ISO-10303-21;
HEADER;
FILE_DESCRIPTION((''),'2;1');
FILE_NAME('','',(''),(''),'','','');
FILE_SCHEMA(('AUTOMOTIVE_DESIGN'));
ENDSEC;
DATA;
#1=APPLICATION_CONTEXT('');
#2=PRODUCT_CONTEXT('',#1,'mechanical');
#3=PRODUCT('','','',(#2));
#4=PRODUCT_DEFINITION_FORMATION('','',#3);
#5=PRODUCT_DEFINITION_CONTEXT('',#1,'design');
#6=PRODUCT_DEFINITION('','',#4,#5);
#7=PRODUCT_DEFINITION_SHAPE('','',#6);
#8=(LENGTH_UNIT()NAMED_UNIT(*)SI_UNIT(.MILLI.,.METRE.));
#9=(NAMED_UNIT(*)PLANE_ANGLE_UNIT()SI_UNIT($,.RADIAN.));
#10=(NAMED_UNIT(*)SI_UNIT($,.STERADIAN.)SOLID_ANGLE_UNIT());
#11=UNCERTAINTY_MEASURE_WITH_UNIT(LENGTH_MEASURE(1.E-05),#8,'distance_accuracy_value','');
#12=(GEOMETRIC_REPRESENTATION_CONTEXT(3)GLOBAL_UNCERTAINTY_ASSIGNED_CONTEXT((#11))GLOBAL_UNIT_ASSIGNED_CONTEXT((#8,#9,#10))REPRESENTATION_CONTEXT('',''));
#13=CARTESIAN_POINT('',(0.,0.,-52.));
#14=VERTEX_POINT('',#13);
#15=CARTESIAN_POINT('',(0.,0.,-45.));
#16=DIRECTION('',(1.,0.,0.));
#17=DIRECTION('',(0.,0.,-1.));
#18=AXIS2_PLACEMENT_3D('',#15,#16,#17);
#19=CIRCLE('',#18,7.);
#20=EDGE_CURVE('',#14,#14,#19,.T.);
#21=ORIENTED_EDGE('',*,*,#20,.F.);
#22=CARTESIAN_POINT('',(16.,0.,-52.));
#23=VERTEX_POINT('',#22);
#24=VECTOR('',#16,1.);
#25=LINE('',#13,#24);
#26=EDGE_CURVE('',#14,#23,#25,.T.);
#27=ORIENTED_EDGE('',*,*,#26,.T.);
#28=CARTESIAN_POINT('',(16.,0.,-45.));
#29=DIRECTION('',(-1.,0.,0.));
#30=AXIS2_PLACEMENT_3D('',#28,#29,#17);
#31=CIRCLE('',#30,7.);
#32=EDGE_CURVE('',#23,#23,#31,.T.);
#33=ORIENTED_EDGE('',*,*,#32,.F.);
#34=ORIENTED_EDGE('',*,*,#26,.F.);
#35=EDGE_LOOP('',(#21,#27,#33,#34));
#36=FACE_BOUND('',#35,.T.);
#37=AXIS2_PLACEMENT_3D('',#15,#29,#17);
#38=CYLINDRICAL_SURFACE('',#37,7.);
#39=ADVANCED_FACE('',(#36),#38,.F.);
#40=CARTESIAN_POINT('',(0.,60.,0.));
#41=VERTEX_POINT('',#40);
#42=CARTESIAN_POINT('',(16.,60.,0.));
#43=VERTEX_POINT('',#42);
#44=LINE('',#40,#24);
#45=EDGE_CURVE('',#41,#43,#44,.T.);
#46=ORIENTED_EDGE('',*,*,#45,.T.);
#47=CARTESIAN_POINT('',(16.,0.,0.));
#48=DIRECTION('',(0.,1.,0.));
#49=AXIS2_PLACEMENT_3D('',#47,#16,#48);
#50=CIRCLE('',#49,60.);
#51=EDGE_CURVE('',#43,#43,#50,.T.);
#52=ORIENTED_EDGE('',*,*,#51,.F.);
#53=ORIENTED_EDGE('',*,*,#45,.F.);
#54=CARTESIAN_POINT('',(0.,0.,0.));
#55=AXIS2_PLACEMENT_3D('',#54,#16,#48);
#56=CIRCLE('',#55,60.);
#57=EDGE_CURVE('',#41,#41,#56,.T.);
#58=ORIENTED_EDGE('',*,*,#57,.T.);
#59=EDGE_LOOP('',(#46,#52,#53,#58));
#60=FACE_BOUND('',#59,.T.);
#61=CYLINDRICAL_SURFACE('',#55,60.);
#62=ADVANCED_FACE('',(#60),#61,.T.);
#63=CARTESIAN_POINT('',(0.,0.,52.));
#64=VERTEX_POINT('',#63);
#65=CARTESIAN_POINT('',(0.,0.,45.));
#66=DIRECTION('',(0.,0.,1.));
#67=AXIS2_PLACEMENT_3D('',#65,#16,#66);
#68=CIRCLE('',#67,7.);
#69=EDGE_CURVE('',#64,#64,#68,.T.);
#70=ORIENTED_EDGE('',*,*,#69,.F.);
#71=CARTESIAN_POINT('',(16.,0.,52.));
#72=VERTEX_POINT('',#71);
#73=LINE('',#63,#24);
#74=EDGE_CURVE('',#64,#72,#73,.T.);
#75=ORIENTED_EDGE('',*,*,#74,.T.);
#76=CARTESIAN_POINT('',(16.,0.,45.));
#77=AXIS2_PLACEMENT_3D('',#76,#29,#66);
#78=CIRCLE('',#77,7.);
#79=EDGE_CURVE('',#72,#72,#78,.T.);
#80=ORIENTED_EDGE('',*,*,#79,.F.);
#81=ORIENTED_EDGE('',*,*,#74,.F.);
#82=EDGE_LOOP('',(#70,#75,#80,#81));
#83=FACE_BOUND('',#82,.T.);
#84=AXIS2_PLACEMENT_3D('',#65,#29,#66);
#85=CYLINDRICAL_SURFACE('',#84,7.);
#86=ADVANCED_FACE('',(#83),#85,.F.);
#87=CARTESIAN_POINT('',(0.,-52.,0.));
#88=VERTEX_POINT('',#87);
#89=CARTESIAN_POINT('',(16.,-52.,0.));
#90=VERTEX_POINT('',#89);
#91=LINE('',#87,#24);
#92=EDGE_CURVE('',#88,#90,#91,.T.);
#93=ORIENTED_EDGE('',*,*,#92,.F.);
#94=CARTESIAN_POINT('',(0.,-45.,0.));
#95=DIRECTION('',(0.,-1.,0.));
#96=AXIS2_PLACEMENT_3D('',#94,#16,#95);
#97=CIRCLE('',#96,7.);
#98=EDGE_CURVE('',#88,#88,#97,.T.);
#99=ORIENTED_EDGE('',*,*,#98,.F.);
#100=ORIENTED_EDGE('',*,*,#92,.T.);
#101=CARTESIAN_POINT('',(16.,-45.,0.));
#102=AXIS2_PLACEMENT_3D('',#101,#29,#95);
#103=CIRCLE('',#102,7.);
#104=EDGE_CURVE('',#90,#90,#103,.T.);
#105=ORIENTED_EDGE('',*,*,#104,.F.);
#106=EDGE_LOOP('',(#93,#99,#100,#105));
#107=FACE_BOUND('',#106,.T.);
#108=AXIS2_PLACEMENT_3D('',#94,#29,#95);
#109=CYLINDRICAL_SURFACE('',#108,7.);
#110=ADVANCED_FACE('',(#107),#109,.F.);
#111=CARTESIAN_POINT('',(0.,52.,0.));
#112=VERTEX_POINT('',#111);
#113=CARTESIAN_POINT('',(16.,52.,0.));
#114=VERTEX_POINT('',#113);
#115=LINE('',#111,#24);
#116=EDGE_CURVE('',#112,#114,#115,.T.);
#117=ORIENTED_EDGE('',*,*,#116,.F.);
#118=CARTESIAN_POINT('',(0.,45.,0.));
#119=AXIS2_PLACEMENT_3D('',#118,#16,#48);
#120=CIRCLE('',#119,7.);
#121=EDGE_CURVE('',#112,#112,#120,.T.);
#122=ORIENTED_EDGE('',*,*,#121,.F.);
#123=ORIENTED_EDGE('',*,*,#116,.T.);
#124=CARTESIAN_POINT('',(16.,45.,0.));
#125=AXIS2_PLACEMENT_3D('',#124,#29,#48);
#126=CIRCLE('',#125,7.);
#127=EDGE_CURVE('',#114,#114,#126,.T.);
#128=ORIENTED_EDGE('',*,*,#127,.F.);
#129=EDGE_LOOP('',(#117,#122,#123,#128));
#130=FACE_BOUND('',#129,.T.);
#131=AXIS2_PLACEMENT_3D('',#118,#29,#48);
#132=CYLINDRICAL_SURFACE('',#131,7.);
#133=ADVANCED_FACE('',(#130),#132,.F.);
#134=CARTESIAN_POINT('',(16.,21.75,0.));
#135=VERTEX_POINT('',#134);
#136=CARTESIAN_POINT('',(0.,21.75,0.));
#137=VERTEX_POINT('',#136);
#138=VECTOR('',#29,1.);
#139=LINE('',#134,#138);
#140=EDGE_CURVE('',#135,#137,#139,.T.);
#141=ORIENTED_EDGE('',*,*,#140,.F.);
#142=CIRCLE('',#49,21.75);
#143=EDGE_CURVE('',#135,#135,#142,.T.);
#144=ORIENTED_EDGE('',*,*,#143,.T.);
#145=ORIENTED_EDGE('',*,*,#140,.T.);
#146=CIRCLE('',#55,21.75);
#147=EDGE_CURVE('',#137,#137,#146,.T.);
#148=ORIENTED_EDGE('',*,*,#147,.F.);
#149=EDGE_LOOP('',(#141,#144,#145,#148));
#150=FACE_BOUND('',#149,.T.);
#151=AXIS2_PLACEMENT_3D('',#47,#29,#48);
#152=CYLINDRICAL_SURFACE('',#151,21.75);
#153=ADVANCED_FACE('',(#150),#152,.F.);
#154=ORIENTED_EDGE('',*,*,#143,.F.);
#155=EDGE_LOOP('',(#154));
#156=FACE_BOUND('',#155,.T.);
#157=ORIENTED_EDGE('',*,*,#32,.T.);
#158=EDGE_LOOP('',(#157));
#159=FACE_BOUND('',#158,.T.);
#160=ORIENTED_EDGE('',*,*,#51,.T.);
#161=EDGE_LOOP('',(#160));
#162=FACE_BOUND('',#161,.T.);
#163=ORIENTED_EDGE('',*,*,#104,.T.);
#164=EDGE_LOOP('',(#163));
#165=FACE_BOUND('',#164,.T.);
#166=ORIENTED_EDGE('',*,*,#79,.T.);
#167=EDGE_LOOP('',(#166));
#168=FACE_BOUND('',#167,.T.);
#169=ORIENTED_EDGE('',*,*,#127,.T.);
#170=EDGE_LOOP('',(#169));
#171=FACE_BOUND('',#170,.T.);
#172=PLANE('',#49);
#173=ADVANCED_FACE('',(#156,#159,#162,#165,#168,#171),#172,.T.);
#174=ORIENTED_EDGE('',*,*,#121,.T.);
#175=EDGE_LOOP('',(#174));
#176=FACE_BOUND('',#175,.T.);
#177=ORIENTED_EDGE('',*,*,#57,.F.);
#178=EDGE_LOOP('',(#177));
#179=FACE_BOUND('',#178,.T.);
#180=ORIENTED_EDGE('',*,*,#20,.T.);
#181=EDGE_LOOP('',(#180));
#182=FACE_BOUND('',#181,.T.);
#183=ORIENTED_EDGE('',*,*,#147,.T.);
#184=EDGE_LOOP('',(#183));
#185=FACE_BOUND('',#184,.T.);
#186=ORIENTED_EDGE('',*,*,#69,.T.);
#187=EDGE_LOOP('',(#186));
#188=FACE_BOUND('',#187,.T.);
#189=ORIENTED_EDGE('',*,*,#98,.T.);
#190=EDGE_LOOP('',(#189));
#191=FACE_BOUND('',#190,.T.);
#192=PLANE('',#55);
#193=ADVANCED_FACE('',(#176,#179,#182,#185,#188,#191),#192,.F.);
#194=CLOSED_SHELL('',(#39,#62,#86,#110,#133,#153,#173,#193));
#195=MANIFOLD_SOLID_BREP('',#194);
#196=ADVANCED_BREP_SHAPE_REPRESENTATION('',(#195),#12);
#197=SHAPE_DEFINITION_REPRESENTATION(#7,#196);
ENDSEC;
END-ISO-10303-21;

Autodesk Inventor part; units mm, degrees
ref_plane "YZ Plane" through (0, 0, 0) normal (1, 0, 0) x (0, 1, 0)
ref_plane "XZ Plane" through (0, 0, 0) normal (0, 1, 0) x (-1, 0, 0)
ref_plane "XY Plane" through (0, 0, 0) normal (0, 0, 1) x (1, 0, 0)
sketch "Schizzo1" plane through (0, 0, 0) normal (0, 0, 1) x (1, 0, 0)
  line L0 (0, 0) -> (22.1221, 0) construction
  line L1 (0, 0) -> (0, 21.75) construction
  line L2 (0, 60) -> (16, 60)
  line L3 (16, 60) -> (16, 21.75)
  line L4 (16, 21.75) -> (0, 21.75)
  line L5 (0, 21.75) -> (0, 60)
  dimension "d0" = 16
  dimension "d1" = 38.25
  dimension "d2" = 120
revolve "Rivoluzione1" add sketch "Schizzo1" angle 360 about axis through (0, 0, 0) along (1, 0, 0)
sketch "Schizzo2" plane through (0, 0, 0) normal (1, 0, 0) x (0, 1, 0)
  circle A0 centre (0, 0) radius 45
  circle A1 centre (45, 0) radius 7
  dimension "d4" = 90
  dimension "d5" = 14
extrude "Estrusione1" cut sketch "Schizzo2" along normal through all contours A0 A1 | A0 A1 picked at (42.7183, -1.3528) picked at (47.059, -1.8371)
pattern_circular "Serie circolare1" count 4 over 360 about axis through (8, 0, 0) along (1, 0, 0) of "Estrusione1"
properties part number "06-01-2023 flangia piccola"
